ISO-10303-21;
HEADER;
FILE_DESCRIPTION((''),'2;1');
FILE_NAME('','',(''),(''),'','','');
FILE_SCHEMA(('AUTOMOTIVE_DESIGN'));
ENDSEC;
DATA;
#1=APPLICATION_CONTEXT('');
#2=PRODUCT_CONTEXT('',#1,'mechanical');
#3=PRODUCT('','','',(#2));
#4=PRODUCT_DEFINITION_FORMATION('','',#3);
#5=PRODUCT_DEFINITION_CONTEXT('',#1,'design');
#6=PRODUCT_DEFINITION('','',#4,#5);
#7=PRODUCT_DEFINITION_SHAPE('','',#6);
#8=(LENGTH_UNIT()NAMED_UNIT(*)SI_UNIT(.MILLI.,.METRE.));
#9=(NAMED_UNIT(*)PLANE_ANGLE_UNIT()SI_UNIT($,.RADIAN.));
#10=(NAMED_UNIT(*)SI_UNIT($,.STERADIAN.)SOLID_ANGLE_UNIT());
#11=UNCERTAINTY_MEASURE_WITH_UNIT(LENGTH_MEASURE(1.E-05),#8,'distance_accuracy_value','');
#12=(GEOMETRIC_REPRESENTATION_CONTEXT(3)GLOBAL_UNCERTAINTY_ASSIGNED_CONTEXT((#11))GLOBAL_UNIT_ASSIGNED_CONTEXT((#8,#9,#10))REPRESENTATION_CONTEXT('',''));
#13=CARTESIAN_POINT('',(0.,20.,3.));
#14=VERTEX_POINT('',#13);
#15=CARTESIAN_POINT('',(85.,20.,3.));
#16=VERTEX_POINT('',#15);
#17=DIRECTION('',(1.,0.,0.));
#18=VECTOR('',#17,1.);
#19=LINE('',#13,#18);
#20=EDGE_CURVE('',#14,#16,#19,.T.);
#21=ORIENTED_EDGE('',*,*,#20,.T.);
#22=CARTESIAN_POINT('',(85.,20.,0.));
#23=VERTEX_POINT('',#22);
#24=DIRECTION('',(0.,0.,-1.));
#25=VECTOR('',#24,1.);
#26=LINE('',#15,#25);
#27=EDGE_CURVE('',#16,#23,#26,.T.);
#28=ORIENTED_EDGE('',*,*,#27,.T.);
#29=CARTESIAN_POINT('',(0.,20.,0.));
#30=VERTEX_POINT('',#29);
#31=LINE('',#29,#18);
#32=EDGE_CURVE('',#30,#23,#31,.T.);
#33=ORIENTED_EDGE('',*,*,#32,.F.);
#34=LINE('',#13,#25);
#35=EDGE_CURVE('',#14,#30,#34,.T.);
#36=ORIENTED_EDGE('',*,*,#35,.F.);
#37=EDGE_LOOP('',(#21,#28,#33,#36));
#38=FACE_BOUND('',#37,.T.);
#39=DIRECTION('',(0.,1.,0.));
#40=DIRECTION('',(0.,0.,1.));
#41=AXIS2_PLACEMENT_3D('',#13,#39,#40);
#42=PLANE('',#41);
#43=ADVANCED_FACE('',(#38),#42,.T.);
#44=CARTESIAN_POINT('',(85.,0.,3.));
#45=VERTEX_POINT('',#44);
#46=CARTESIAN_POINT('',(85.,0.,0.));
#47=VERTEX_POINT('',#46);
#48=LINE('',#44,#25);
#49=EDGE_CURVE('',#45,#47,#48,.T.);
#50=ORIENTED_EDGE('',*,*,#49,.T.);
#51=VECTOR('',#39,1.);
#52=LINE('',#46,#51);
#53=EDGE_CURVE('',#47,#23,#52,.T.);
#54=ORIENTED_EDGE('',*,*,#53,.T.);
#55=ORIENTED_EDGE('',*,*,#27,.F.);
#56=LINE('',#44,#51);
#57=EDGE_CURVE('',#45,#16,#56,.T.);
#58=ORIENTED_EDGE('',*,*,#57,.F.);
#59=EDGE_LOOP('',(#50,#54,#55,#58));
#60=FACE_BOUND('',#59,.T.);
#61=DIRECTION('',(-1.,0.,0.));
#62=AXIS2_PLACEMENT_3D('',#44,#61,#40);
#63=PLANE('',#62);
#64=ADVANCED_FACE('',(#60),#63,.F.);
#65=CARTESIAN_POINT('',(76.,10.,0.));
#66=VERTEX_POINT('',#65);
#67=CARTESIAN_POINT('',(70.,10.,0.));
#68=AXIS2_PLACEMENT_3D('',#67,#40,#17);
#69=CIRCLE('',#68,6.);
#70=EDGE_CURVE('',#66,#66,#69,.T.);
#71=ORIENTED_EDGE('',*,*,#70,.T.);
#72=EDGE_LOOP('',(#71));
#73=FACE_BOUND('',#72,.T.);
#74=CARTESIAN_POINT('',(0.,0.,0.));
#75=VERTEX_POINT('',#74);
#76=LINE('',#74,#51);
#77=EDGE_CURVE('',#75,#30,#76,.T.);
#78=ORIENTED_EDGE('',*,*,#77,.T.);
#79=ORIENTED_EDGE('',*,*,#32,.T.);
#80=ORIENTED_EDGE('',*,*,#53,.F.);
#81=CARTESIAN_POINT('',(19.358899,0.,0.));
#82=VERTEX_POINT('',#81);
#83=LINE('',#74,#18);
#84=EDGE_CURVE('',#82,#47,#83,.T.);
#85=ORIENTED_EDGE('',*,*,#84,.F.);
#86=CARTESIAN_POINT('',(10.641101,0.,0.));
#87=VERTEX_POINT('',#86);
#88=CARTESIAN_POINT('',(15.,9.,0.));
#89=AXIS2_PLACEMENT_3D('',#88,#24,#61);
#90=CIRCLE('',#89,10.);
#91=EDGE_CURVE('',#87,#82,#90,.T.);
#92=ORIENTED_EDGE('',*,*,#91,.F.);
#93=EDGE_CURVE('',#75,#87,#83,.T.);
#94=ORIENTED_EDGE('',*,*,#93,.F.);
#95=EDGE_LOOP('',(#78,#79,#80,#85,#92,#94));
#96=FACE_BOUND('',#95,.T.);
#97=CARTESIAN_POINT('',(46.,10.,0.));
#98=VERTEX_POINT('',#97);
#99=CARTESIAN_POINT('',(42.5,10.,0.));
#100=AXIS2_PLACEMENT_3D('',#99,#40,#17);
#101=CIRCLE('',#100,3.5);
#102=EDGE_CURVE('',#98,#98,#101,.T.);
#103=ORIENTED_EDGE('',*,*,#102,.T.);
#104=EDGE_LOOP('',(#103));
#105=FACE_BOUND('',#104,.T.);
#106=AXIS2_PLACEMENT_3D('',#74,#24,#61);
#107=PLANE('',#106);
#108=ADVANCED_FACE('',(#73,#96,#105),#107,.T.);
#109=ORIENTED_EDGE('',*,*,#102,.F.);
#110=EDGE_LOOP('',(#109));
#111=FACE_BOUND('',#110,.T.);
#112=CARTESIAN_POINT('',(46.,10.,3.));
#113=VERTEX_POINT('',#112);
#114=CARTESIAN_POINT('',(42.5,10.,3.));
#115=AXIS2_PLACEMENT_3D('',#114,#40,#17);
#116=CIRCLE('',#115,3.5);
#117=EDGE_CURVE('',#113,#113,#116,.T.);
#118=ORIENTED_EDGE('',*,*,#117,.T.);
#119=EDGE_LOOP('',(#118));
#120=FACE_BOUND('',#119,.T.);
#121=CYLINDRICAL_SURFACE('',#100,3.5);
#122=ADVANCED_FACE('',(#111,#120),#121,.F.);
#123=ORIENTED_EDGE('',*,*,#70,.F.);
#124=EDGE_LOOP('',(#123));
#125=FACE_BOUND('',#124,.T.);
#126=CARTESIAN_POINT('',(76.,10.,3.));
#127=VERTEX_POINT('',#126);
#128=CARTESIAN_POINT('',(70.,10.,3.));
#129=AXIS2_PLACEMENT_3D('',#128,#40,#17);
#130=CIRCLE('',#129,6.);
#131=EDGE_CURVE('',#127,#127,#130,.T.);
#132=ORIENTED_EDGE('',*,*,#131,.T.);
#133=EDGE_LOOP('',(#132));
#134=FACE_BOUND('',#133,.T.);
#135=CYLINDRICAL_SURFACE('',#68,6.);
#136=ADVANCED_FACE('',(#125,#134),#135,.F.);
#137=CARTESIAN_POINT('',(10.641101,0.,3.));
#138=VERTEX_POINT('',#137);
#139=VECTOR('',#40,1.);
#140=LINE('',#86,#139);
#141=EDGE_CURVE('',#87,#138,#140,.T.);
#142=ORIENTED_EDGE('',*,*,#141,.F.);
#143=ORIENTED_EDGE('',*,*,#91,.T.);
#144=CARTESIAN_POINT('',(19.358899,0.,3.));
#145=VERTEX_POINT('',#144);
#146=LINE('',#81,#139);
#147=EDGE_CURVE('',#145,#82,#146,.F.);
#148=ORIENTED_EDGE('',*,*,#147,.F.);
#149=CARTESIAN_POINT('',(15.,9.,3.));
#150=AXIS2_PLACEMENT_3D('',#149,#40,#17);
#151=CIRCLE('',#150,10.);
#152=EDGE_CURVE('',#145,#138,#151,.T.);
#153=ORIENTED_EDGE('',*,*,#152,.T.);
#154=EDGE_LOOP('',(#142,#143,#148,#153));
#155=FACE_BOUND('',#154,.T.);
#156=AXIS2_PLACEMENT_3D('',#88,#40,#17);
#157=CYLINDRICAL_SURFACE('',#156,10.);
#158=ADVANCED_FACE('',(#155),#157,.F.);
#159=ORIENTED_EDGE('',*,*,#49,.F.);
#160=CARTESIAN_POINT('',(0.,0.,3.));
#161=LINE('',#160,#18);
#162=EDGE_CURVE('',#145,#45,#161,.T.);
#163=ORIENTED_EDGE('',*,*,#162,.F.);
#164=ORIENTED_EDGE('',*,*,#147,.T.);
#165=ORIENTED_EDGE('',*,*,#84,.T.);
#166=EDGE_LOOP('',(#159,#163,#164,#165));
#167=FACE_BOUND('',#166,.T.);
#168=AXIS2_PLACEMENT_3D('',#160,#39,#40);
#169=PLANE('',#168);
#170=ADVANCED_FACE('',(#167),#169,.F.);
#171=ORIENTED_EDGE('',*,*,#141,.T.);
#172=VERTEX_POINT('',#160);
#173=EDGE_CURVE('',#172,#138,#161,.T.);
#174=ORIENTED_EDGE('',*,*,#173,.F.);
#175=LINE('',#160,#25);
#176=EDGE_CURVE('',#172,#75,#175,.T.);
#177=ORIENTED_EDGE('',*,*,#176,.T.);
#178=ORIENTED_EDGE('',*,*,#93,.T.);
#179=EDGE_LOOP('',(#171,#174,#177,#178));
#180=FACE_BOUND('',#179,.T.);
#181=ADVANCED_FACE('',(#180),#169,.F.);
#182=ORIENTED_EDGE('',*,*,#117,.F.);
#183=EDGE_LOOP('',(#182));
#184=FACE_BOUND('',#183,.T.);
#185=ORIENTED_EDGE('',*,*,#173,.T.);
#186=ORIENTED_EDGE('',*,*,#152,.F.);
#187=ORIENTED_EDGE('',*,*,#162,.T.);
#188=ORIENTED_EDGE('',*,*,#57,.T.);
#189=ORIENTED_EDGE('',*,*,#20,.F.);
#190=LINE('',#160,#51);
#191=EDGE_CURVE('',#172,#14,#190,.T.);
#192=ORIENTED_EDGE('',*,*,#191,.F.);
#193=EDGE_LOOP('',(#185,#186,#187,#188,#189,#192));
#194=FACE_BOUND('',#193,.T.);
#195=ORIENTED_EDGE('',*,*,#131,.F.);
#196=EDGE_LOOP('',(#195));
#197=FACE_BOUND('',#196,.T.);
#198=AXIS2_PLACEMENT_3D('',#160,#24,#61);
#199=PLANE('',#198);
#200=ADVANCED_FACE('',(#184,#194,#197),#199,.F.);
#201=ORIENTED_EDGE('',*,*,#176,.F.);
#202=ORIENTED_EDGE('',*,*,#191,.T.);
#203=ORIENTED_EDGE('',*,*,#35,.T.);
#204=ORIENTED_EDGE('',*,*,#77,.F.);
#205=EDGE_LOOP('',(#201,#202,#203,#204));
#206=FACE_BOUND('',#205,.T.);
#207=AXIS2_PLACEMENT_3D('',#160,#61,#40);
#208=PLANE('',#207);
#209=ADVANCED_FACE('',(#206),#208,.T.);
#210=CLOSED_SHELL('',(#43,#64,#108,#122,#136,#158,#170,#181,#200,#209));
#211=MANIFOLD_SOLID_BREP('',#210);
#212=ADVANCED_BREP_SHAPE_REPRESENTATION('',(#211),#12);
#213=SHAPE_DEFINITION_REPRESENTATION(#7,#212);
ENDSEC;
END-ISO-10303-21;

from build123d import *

# Parameters (mm, degrees)
SKETCH1_W           = 85
SKETCH1_H           = 20
BOSS_EXTRUDE1_DEPTH = 3
SKETCH2_R           = 3.5
SKETCH2_R_2         = 6
SKETCH2_R_3         = 10
CUT_EXTRUDE1_DEPTH  = 4


with BuildPart() as part:
    # Sketch1 → Boss-Extrude1 (new body)
    with BuildSketch(Plane.XY):
        with Locations((42.5, 10)):
            Rectangle(SKETCH1_W, SKETCH1_H)
    extrude(amount=BOSS_EXTRUDE1_DEPTH)

    # Sketch2 → Cut-Extrude1 (cut, through all)
    with BuildSketch(Plane.XY.offset(3)):
        with Locations((42.5, 10)):
            Circle(SKETCH2_R)
        with Locations((70, 10)):
            Circle(SKETCH2_R_2)
        with Locations((15, 9)):
            Circle(SKETCH2_R_3)
    extrude(amount=-CUT_EXTRUDE1_DEPTH, mode=Mode.SUBTRACT)


solid = part.part
